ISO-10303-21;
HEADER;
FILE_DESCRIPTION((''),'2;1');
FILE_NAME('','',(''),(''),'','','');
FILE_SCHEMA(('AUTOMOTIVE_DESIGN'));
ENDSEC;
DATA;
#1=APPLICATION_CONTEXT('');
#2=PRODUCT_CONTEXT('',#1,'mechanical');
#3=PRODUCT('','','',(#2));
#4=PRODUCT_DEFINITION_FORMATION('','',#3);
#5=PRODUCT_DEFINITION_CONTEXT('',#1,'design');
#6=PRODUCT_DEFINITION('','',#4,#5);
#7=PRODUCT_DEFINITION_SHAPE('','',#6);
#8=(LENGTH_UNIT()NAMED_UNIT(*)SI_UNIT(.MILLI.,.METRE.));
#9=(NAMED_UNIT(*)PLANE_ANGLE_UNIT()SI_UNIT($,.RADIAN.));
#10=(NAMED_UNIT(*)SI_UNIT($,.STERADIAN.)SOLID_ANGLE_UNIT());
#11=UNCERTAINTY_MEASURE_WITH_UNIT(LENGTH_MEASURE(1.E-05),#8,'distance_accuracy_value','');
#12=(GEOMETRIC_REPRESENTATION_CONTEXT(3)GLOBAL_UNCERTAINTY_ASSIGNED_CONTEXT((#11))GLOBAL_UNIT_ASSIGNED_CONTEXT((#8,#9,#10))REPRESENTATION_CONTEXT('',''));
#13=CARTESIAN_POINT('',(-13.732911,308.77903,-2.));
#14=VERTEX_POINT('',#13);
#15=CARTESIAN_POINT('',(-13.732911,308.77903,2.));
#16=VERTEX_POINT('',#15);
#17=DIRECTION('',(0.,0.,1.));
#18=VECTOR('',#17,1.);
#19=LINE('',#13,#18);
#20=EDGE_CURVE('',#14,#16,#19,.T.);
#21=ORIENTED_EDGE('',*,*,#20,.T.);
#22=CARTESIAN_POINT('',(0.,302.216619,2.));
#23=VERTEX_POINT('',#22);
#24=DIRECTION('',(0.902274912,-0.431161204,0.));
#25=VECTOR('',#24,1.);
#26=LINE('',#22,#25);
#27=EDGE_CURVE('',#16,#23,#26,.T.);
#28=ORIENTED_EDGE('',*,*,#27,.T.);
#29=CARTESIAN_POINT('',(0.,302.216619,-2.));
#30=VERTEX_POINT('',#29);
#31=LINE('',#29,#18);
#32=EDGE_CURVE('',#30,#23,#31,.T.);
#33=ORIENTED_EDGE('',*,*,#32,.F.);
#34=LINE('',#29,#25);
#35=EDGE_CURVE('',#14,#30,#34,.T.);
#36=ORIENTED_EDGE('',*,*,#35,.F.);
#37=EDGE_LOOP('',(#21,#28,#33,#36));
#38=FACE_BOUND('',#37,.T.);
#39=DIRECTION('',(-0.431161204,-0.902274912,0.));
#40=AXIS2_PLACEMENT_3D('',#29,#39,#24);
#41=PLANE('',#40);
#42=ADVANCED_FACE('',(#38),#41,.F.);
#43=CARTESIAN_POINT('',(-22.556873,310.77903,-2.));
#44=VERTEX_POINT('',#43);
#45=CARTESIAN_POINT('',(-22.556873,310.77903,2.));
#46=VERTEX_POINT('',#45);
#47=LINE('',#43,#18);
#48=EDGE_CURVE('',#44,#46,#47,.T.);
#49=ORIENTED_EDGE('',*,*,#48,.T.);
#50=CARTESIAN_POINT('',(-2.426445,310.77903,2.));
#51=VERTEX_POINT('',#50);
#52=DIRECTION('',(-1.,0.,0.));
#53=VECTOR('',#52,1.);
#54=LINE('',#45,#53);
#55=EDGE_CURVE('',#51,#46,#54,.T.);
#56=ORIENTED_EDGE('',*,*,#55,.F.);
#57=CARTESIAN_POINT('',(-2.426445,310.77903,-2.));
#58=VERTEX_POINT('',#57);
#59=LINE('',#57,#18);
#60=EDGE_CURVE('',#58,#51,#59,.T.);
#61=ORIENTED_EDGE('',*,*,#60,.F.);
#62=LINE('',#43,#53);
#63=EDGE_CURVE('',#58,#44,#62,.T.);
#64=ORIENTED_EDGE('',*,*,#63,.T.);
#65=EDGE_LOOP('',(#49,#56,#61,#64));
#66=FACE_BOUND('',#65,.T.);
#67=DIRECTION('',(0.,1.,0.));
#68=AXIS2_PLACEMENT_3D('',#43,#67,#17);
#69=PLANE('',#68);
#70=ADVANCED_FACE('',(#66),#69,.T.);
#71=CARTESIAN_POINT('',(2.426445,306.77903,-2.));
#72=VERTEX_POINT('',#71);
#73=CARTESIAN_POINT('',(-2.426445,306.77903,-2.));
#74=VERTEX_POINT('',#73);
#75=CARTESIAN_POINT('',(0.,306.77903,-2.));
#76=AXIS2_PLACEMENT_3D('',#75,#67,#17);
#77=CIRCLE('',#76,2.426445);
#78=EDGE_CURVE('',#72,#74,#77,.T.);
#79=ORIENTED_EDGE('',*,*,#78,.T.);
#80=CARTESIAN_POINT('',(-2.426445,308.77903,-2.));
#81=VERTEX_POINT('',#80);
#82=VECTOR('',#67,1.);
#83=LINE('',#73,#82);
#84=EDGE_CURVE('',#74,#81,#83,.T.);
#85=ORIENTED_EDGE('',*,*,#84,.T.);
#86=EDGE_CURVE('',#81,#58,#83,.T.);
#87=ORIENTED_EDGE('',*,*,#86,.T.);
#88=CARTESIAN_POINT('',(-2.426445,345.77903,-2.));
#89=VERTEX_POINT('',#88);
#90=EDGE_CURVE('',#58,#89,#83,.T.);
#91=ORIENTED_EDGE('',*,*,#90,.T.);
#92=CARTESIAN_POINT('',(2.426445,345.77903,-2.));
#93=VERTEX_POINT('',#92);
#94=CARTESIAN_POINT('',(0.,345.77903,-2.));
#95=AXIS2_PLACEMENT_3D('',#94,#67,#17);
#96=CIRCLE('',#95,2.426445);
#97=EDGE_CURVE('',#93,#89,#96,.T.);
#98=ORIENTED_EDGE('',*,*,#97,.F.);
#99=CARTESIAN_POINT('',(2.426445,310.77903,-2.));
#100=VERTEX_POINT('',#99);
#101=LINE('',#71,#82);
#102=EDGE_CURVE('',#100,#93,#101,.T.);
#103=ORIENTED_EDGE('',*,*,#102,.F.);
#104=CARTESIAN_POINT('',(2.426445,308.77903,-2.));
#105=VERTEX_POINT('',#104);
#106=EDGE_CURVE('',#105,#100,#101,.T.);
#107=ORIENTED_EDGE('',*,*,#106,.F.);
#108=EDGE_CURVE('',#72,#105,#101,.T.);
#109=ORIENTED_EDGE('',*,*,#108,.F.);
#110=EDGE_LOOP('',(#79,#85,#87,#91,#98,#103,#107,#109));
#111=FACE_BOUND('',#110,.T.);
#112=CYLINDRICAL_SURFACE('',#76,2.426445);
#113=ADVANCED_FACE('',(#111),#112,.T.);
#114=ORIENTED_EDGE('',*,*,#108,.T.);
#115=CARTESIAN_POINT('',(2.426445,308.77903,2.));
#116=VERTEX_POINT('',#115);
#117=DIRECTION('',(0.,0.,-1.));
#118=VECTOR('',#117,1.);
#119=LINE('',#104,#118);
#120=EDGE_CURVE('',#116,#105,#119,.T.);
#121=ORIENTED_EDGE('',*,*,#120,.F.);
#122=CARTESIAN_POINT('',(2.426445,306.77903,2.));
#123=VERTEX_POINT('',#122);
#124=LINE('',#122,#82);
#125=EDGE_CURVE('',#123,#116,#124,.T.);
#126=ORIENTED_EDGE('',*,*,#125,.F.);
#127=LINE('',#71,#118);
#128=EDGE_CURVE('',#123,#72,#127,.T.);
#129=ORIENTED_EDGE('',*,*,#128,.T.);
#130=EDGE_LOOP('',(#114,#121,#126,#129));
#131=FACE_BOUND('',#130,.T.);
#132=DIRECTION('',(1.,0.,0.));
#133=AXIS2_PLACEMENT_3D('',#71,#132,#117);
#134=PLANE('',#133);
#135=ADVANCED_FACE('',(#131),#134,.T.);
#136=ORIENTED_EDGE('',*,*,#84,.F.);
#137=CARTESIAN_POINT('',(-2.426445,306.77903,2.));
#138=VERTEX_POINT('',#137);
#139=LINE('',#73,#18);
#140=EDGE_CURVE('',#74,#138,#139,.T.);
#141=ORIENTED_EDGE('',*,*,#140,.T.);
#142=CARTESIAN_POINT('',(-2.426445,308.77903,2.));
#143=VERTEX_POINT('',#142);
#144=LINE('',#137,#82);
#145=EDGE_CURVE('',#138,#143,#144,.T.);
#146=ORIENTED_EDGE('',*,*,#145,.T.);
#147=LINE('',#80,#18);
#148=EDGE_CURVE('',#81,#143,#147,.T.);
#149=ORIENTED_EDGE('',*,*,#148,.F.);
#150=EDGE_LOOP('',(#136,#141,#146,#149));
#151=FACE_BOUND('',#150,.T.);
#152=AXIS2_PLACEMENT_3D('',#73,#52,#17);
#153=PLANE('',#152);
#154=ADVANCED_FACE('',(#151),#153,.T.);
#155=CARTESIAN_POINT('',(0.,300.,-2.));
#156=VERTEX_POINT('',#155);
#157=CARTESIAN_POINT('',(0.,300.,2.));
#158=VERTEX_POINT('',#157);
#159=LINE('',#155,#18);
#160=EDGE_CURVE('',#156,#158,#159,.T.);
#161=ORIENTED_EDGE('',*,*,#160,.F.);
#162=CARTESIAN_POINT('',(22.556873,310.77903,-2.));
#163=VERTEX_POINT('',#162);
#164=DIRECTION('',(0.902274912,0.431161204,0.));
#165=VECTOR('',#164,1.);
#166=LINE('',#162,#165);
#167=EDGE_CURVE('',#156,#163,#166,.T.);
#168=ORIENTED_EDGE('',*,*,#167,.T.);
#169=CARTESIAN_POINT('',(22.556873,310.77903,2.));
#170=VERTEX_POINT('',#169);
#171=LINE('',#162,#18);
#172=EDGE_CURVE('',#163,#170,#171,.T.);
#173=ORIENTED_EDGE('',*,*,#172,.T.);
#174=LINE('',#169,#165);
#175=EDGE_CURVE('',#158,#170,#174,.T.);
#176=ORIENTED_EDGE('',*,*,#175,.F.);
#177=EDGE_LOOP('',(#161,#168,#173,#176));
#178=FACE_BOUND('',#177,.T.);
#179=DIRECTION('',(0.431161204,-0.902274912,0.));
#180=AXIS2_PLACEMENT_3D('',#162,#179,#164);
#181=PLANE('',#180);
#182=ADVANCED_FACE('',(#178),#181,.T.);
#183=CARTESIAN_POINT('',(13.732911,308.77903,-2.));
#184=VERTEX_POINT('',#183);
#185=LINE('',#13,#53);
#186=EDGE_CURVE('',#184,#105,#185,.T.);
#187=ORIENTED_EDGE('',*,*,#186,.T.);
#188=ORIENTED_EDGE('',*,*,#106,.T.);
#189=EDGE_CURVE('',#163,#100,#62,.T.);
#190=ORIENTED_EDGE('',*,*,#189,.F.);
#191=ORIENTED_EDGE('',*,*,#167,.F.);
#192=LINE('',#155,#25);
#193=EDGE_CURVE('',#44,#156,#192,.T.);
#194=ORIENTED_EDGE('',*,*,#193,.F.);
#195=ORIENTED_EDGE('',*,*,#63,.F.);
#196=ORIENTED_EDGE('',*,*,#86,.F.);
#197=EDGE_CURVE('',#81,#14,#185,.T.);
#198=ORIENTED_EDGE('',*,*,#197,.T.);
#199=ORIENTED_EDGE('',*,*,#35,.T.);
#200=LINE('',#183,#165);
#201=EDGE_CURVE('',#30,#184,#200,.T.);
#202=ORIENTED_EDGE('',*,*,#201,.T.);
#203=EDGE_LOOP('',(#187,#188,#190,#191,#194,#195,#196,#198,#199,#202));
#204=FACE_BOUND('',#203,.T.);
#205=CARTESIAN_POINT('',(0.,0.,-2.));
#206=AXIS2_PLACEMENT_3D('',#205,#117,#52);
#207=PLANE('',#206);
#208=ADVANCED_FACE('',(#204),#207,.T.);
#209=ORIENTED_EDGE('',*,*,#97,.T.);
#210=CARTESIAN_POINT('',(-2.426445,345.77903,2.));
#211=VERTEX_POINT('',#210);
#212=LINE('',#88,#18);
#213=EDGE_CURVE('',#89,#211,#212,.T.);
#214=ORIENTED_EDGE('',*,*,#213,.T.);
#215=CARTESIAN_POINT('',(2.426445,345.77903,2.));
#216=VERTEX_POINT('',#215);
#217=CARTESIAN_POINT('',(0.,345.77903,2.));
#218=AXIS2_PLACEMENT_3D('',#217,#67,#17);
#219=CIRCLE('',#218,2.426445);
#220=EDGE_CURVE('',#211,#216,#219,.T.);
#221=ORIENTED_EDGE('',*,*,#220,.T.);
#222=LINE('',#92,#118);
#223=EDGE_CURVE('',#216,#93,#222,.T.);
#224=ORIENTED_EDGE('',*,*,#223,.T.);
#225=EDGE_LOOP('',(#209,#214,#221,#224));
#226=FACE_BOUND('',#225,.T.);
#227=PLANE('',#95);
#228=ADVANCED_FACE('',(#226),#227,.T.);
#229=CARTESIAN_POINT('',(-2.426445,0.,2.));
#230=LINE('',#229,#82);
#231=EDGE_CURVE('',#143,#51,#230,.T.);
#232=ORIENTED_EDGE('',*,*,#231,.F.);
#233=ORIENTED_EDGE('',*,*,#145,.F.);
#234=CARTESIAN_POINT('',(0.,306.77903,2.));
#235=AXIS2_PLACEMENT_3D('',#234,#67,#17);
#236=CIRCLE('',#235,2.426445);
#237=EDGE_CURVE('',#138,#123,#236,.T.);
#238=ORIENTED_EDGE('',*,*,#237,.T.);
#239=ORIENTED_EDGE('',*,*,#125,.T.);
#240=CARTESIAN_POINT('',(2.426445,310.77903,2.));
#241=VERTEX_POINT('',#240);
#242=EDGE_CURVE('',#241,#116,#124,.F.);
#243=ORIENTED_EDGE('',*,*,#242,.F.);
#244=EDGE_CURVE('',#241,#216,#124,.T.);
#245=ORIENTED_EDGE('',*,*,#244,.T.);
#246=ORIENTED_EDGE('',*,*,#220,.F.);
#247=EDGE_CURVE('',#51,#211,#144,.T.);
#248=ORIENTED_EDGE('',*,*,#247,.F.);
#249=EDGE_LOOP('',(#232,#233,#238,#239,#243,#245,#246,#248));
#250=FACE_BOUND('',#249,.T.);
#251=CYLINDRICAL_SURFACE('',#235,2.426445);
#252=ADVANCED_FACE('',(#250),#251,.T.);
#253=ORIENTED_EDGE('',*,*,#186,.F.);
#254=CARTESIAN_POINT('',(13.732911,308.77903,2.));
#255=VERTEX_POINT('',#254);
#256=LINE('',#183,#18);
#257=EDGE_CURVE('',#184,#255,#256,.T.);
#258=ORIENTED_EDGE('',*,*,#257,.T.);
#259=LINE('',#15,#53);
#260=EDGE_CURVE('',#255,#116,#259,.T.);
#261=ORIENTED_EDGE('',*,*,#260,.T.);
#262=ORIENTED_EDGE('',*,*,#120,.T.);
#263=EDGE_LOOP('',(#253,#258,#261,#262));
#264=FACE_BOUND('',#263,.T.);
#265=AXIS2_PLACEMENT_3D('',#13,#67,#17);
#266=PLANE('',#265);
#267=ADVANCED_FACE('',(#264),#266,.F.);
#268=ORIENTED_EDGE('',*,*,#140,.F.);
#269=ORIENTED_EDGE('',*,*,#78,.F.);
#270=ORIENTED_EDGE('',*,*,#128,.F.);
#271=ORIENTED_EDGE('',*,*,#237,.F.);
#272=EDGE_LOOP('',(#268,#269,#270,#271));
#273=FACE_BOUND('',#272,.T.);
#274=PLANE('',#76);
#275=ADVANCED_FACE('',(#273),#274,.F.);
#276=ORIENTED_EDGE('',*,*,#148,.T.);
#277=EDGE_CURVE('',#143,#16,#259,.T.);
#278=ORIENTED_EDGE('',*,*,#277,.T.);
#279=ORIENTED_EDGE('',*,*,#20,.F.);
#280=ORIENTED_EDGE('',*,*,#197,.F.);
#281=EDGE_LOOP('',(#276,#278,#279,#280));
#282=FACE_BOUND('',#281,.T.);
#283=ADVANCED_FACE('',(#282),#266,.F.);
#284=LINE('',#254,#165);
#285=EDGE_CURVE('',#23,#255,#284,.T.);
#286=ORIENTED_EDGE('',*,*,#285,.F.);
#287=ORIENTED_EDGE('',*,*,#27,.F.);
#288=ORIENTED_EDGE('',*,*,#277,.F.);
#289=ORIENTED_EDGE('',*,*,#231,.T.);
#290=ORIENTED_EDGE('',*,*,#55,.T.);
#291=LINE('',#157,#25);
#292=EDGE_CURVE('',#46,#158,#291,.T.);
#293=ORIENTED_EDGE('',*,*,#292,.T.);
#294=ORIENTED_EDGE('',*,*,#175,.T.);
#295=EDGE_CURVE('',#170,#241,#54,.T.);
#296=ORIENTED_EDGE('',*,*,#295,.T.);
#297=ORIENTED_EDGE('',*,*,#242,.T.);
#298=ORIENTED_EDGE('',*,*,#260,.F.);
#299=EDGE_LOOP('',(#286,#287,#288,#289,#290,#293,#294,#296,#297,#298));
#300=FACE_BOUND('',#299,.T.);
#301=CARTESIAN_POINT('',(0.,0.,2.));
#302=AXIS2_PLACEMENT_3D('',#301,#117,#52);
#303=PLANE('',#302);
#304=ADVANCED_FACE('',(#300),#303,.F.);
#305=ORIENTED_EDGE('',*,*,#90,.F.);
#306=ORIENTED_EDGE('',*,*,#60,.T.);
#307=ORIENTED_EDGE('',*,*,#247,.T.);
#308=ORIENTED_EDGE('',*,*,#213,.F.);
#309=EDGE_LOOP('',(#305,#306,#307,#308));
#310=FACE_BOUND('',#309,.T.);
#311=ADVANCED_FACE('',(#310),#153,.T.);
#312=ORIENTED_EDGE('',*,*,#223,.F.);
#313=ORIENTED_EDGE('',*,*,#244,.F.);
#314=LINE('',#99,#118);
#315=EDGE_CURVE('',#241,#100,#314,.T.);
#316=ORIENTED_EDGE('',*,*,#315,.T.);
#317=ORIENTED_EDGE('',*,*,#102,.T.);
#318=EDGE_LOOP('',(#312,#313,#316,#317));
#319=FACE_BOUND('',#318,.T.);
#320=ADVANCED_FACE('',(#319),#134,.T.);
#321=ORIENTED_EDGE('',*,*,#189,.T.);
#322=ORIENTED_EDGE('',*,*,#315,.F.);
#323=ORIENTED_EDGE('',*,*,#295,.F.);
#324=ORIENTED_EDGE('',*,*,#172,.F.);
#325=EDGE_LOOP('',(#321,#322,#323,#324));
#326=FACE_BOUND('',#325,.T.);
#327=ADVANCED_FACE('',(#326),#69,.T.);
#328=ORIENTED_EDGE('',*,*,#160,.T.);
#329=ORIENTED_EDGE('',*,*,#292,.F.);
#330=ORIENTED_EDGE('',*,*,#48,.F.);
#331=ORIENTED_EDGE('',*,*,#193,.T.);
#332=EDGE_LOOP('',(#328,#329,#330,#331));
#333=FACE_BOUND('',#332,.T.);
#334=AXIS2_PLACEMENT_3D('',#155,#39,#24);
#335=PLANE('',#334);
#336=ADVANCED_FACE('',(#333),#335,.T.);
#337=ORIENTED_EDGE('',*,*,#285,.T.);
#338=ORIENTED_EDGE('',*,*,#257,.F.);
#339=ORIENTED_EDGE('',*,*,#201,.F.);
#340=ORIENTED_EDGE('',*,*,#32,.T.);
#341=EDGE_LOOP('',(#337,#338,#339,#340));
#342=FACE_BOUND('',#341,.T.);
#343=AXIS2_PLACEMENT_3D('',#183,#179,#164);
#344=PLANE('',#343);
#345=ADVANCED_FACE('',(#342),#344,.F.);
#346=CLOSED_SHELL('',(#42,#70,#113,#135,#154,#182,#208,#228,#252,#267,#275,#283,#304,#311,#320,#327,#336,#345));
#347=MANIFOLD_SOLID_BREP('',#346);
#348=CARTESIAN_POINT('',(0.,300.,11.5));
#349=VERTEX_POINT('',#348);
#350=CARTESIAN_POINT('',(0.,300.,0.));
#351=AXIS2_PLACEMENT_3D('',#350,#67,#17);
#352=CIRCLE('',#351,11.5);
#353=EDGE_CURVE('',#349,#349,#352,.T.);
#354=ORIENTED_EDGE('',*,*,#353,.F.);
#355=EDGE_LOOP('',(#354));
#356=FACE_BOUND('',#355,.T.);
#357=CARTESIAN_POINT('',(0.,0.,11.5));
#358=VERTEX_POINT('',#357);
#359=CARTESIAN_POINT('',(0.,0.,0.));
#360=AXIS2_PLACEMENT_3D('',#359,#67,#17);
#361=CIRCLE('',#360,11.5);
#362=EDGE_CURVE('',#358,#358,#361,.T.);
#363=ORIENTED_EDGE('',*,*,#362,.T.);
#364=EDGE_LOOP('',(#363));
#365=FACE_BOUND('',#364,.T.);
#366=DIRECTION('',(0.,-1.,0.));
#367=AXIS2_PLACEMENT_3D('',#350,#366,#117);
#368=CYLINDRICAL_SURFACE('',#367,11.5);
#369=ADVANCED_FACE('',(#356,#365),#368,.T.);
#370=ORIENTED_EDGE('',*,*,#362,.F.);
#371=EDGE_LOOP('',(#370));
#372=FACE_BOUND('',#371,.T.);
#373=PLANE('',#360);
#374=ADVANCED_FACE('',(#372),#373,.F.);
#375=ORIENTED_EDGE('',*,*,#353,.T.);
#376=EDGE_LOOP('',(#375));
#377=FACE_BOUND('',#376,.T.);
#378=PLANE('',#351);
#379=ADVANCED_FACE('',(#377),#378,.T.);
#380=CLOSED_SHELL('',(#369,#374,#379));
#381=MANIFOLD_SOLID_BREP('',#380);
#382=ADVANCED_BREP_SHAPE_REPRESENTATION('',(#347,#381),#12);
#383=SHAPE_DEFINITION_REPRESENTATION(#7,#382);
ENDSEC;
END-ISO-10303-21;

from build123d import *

# Parameters (mm, degrees)
SKETCH2_R                = 11.5
BOSS_EXTRUDE1_DEPTH      = 300
BOSS_EXTRUDE2_DEPTH      = 2
BOSS_EXTRUDE2_DEPTH_BACK = 2
BOSS_EXTRUDE5_DEPTH      = 35
BOSS_EXTRUDE5_DEPTH_BACK = 4


with BuildPart() as part:
    # Sketch2 → Boss-Extrude1 (new body)
    with BuildSketch(Plane(origin=(0, 0, 0), x_dir=(1, 0, 0), z_dir=(0, 1, 0))):
        Circle(SKETCH2_R)
    extrude(amount=BOSS_EXTRUDE1_DEPTH)


with BuildPart() as body_2:
    # Sketch3 → Boss-Extrude2 (new, two sides: drawn at the far end of the back side and taken through both)
    with BuildSketch(Plane.XY.offset(-BOSS_EXTRUDE2_DEPTH_BACK)):
        Polygon((0, 300), (-22.556872792, 310.779030097), (22.556872792, 310.779030097), align=None)
        Polygon((0, 302.216619319), (-13.732911385, 308.779030097), (13.732911385, 308.779030097), align=None, mode=Mode.SUBTRACT)
    extrude(amount=BOSS_EXTRUDE2_DEPTH + BOSS_EXTRUDE2_DEPTH_BACK)

    # Sketch6 → Boss-Extrude5 (add, two sides: drawn at the far end of the back side and taken through both)
    with BuildSketch(Plane(origin=(0, 310.779030097, 0), x_dir=(1, 0, 0), z_dir=(0, 1, 0)).offset(-BOSS_EXTRUDE5_DEPTH_BACK)):
        with BuildLine():
            Line((2.426445001, 2), (2.426445001, -2))
            ThreePointArc((2.426445001, -2), (0, -4.426445001), (-2.426445001, -2))
            Line((-2.426445001, -2), (-2.426445001, 2))
            ThreePointArc((-2.426445001, 2), (0, 4.426445001), (2.426445001, 2))
        make_face()
    extrude(amount=BOSS_EXTRUDE5_DEPTH + BOSS_EXTRUDE5_DEPTH_BACK)


solid = Compound([part.part, body_2.part])
